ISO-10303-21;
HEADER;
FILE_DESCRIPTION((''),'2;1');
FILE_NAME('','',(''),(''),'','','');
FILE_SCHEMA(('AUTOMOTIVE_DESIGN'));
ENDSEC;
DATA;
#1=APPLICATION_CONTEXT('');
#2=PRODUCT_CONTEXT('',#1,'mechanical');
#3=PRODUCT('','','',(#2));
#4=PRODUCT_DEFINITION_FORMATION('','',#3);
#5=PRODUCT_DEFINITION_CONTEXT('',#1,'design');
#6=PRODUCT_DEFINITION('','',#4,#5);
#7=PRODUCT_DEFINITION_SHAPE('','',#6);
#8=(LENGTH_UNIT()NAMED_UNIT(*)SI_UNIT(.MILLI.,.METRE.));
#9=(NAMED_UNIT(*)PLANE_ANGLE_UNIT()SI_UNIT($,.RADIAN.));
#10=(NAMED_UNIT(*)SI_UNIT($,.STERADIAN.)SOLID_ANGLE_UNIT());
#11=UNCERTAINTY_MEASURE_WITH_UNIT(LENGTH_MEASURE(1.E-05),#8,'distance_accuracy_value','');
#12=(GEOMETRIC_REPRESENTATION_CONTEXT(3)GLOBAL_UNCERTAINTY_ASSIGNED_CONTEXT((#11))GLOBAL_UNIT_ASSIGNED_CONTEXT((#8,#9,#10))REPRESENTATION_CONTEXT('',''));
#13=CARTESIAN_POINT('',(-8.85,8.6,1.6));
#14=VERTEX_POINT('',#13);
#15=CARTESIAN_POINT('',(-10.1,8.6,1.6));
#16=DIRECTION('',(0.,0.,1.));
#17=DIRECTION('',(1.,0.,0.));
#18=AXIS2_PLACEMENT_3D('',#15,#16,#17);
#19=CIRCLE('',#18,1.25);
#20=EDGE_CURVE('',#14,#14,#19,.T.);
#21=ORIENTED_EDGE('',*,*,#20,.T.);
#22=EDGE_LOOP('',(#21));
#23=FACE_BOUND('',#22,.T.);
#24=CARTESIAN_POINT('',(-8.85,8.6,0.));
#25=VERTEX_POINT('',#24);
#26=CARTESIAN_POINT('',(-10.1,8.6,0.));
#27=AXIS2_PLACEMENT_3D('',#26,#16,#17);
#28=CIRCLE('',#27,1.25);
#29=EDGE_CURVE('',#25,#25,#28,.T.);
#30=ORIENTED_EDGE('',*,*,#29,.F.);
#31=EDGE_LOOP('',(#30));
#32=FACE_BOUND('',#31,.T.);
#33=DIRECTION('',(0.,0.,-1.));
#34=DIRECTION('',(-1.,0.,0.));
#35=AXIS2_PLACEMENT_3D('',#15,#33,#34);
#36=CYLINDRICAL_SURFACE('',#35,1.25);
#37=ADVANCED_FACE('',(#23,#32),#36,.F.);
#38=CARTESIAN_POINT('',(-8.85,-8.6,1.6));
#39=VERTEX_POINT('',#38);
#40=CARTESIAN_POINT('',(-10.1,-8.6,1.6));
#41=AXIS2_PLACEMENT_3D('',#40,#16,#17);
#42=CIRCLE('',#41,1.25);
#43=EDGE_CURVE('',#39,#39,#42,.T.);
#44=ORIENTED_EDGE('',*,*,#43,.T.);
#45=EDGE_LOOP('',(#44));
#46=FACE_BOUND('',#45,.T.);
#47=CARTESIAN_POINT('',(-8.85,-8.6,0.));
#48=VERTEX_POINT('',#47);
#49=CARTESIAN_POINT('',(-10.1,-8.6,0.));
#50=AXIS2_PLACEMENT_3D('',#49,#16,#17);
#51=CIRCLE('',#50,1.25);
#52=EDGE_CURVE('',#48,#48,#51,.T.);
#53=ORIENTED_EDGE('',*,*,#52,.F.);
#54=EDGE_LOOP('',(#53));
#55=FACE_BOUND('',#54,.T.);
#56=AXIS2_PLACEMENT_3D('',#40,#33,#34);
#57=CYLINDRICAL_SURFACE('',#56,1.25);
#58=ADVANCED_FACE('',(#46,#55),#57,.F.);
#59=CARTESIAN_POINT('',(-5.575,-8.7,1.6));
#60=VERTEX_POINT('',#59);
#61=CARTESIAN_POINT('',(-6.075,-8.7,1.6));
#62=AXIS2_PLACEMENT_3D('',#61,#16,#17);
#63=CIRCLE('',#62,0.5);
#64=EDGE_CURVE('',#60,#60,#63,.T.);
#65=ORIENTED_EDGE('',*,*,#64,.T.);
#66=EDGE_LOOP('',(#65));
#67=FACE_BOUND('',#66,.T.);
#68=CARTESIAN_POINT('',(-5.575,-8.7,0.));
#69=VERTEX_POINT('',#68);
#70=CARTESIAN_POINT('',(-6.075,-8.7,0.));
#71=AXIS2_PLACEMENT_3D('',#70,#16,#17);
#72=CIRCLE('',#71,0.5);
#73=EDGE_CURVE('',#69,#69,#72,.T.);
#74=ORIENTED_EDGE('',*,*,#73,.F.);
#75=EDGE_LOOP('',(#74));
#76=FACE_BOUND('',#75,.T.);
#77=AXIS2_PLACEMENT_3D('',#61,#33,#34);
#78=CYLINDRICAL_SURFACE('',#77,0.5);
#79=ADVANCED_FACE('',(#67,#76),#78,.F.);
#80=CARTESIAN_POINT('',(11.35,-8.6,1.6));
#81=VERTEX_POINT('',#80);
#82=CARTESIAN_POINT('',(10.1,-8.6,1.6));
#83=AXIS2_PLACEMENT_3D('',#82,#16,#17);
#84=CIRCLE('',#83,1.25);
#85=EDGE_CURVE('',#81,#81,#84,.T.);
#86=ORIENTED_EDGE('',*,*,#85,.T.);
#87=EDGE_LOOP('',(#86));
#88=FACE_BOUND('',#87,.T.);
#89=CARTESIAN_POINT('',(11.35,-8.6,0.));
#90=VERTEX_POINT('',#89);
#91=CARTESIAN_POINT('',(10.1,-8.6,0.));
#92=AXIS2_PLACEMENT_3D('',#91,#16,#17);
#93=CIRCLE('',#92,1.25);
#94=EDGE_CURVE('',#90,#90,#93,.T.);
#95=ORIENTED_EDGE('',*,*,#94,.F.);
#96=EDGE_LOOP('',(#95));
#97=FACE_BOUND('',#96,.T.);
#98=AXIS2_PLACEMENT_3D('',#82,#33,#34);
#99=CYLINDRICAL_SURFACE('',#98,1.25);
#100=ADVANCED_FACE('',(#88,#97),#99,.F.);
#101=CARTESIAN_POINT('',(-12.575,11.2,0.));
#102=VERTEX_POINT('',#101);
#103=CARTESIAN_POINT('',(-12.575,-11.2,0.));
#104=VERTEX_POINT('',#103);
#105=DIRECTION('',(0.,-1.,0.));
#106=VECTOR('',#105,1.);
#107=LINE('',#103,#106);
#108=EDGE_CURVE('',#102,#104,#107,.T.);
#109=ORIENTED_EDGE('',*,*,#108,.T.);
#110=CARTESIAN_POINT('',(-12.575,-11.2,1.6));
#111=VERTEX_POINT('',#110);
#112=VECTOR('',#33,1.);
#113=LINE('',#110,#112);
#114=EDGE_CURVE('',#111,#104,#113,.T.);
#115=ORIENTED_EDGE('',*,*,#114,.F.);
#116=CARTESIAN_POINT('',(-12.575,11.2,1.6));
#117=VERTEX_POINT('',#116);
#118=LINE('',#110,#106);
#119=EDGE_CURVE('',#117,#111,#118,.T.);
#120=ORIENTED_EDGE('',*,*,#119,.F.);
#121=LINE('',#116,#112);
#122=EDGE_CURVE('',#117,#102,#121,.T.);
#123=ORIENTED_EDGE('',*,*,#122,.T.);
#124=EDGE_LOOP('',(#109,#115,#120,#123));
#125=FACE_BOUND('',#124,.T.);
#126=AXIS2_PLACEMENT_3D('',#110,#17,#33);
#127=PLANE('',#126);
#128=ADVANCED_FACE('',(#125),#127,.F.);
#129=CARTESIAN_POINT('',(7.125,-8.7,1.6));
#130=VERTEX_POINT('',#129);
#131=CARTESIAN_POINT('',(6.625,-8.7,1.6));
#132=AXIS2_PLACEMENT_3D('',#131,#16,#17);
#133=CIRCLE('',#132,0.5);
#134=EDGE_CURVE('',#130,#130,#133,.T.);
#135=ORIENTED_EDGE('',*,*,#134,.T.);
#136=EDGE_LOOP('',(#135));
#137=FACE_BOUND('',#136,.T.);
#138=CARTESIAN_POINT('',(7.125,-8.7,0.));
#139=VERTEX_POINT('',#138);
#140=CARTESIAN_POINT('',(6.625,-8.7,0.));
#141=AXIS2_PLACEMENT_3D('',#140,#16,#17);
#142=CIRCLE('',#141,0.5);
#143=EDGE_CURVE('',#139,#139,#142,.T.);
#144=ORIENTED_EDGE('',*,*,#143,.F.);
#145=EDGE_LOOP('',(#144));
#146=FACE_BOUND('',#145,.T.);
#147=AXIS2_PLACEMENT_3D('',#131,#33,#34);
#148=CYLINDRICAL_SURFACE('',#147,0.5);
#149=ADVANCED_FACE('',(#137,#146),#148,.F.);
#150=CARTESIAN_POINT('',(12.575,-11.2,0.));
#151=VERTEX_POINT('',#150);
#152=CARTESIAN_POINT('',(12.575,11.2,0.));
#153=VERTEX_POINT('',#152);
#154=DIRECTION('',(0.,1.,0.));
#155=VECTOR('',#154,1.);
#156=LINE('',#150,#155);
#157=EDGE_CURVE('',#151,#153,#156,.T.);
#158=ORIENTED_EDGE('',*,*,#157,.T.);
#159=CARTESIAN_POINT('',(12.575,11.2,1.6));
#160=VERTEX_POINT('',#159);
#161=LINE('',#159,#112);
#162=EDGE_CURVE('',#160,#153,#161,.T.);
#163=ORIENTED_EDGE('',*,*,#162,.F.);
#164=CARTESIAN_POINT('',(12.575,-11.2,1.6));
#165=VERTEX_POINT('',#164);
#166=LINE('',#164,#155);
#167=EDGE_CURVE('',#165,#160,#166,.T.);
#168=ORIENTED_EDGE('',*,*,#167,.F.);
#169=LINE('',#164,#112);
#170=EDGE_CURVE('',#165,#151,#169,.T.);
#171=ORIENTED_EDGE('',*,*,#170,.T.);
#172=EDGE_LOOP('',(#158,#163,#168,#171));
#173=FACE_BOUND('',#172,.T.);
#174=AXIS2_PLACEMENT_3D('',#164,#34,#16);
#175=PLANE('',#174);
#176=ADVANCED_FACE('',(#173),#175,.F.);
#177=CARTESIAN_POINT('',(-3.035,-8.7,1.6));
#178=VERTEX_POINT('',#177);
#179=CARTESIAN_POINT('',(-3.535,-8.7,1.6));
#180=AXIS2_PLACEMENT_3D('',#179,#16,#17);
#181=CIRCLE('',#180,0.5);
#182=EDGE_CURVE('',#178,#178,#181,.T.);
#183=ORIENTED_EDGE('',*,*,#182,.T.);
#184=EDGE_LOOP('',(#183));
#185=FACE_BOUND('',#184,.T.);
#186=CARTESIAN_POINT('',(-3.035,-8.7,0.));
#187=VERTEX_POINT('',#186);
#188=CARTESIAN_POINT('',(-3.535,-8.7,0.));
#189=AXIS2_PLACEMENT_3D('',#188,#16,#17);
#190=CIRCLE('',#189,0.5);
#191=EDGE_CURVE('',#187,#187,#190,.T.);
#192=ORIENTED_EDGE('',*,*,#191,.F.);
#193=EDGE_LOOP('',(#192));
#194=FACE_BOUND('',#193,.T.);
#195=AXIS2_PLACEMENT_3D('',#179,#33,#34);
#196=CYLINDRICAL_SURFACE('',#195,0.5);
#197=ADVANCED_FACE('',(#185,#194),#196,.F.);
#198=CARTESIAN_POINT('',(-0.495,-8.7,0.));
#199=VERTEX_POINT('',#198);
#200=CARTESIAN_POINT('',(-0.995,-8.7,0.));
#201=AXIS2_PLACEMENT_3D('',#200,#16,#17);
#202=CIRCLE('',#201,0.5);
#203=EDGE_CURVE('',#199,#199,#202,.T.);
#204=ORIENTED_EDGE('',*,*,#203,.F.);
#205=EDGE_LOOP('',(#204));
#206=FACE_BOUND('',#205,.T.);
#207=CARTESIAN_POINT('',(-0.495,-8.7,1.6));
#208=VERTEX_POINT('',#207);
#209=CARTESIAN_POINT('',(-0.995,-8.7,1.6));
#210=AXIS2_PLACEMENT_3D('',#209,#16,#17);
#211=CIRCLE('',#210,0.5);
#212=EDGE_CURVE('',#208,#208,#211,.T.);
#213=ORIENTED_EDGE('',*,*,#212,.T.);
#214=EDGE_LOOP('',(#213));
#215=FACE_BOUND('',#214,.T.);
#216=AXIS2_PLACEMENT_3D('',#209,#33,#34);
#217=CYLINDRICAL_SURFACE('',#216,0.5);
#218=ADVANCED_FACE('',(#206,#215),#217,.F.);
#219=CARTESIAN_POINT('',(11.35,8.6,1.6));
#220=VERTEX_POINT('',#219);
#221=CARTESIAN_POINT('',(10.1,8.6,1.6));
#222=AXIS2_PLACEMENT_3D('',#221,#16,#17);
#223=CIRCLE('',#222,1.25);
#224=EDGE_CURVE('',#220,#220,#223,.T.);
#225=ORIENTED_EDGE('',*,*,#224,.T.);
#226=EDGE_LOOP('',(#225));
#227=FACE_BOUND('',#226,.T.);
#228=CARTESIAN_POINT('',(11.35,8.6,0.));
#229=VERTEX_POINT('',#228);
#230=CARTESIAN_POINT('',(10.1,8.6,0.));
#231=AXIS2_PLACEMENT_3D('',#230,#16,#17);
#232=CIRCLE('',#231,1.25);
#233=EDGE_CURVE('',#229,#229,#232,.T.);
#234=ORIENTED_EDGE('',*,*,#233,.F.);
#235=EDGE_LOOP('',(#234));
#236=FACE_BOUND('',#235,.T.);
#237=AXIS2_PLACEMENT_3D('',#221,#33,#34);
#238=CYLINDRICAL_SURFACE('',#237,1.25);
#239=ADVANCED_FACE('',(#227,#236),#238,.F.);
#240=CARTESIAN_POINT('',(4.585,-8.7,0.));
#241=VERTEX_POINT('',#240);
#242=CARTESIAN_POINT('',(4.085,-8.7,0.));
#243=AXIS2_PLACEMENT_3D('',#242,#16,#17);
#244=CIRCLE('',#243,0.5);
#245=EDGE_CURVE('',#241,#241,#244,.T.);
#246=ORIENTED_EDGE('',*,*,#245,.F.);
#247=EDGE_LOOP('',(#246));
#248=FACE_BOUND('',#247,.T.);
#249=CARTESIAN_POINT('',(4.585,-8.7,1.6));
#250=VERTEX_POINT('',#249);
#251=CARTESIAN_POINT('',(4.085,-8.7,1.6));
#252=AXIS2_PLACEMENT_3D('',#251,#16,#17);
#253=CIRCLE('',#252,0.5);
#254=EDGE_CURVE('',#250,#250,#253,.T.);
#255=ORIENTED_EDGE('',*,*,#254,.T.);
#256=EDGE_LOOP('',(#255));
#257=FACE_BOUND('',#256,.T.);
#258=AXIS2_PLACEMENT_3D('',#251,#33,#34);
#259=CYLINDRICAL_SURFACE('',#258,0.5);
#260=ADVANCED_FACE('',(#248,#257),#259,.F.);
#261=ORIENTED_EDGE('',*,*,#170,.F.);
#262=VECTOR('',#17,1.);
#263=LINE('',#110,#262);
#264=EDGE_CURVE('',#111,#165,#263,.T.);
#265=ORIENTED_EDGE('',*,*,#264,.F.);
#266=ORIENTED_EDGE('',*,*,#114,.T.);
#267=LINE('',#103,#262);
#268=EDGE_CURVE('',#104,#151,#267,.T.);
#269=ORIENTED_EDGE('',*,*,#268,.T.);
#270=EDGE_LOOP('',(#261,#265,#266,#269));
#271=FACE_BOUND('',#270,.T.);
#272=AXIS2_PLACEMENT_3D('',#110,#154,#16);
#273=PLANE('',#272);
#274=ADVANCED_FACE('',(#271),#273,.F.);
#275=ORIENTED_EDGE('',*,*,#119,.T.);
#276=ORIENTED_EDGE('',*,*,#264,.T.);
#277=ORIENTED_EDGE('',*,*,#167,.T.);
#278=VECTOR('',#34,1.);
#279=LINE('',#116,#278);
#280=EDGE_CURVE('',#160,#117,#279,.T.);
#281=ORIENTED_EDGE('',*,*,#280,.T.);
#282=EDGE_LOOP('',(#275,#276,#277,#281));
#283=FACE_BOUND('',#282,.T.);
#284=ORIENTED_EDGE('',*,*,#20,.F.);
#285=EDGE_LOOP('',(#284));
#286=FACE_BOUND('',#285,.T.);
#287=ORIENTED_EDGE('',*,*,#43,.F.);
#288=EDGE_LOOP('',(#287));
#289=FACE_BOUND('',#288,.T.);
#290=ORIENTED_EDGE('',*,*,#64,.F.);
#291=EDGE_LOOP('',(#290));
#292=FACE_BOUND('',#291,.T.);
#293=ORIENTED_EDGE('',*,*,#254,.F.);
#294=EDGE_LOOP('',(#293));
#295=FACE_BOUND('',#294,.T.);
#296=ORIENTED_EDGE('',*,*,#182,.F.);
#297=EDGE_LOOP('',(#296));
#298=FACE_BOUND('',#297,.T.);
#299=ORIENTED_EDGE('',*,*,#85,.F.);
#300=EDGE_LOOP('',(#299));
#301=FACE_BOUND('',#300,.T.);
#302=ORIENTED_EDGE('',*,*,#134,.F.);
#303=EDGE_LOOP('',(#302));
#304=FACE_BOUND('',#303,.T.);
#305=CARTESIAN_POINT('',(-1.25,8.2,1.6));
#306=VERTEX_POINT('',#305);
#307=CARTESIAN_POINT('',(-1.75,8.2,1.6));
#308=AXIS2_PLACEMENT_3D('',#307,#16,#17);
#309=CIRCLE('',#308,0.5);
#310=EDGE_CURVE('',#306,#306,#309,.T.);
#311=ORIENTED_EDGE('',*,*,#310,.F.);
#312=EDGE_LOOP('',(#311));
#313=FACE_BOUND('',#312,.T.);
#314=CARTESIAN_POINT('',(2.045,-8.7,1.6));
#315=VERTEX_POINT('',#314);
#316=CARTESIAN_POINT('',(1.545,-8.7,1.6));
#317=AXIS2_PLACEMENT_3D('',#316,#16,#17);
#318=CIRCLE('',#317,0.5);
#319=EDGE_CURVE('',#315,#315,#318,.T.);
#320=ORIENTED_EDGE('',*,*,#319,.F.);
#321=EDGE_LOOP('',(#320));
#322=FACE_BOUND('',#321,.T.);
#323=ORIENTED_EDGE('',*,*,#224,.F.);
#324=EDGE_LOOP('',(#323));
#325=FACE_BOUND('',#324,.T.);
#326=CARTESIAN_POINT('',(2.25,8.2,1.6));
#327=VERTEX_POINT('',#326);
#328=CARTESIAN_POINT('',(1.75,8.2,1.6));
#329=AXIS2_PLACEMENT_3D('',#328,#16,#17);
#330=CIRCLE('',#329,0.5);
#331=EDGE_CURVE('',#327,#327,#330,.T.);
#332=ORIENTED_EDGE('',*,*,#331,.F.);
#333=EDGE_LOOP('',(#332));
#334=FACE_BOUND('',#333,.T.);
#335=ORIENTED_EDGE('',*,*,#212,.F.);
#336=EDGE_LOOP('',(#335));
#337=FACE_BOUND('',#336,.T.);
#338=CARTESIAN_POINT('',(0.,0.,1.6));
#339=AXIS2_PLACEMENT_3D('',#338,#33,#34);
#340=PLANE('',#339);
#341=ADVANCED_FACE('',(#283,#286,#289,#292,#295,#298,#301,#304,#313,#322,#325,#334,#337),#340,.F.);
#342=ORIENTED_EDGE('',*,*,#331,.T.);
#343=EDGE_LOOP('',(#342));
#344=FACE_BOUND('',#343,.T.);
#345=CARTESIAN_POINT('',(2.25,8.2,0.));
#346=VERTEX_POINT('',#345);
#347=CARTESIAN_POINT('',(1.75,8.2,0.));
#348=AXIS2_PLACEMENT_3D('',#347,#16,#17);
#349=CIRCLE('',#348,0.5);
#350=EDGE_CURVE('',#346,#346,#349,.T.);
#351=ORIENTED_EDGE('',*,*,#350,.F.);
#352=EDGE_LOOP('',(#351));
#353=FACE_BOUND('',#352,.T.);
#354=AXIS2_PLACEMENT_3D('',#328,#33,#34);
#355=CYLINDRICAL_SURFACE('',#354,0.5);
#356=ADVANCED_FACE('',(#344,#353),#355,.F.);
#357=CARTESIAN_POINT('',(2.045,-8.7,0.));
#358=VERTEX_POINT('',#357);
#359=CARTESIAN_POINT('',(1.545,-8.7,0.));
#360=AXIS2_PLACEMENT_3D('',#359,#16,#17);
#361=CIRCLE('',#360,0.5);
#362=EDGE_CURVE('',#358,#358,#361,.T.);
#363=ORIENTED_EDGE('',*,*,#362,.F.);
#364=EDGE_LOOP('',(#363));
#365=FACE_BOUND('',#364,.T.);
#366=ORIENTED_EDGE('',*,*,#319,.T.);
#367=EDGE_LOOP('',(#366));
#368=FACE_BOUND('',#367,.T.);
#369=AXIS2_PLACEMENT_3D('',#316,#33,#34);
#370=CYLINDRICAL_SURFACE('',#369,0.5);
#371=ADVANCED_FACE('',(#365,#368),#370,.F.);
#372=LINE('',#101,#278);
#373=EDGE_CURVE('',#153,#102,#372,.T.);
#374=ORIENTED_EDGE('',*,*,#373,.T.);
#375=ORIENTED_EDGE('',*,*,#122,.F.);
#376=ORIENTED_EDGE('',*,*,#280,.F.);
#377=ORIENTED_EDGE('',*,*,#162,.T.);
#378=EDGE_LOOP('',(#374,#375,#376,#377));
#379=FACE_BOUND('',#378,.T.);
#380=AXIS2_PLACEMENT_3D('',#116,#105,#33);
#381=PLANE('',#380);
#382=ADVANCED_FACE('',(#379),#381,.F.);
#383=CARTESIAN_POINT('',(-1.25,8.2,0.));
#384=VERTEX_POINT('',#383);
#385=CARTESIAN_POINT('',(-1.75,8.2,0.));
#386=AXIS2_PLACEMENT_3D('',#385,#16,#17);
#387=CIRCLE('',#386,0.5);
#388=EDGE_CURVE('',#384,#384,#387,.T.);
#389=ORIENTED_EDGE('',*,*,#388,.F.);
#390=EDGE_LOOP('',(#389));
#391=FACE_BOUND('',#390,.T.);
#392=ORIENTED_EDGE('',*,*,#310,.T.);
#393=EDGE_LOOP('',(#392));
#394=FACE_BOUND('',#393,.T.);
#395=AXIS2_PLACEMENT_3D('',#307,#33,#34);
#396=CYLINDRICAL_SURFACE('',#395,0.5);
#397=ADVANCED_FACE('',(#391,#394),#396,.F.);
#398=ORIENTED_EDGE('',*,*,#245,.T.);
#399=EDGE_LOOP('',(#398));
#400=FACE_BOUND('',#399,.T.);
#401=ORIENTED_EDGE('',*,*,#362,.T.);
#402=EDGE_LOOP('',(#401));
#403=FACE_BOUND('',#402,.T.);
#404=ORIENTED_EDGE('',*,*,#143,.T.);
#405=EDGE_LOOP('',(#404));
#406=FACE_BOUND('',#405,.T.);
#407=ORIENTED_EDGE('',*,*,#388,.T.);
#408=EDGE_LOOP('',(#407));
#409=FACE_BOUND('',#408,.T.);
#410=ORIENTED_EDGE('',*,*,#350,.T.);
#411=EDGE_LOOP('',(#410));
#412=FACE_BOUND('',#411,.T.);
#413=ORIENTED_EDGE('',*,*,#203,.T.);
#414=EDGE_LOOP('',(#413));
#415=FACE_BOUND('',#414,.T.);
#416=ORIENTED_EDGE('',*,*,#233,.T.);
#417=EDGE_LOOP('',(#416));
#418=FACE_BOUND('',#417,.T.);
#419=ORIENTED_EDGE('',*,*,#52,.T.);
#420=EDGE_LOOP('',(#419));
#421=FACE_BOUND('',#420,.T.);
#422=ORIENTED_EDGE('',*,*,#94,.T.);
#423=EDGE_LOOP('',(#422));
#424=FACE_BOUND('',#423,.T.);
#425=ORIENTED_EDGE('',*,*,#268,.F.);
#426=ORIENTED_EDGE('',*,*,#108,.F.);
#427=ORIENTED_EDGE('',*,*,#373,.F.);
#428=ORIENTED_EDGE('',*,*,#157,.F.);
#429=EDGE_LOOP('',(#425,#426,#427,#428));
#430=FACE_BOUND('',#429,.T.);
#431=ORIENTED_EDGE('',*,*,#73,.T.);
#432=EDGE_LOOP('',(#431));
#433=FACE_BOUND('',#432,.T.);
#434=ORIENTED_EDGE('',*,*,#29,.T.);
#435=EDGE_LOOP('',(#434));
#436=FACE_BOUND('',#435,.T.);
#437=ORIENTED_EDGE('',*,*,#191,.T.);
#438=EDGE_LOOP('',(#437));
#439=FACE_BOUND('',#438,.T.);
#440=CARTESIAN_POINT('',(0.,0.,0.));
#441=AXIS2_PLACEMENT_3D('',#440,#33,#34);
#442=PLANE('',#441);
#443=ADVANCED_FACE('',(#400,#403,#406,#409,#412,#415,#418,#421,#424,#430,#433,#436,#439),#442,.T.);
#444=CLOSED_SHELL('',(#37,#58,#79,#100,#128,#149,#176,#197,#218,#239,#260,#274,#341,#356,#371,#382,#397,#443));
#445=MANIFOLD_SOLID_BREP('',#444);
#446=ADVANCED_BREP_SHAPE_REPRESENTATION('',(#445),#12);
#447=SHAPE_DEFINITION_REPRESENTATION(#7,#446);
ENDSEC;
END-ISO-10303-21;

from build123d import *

# Parameters (mm, degrees)
SKETCH1_W           = 25.15
SKETCH1_H           = 22.4
SKETCH1_R           = 1.25
SKETCH1_R_2         = 0.5
BOSS_EXTRUDE1_DEPTH = 1.6


with BuildPart() as part:
    # Sketch1 → Boss-Extrude1 (new body)
    with BuildSketch(Plane.XY):
        Rectangle(SKETCH1_W, SKETCH1_H)
        with Locations((-10.1, 8.6)):
            Circle(SKETCH1_R, mode=Mode.SUBTRACT)
        with Locations((10.1, 8.6)):
            Circle(SKETCH1_R, mode=Mode.SUBTRACT)
        with Locations((-10.1, -8.6)):
            Circle(SKETCH1_R, mode=Mode.SUBTRACT)
        with Locations((10.1, -8.6)):
            Circle(SKETCH1_R, mode=Mode.SUBTRACT)
        with Locations((-1.75, 8.2)):
            Circle(SKETCH1_R_2, mode=Mode.SUBTRACT)
        with Locations((1.75, 8.2)):
            Circle(SKETCH1_R_2, mode=Mode.SUBTRACT)
        with Locations((-6.075, -8.7)):
            Circle(SKETCH1_R_2, mode=Mode.SUBTRACT)
        with Locations((-3.535, -8.7)):
            Circle(SKETCH1_R_2, mode=Mode.SUBTRACT)
        with Locations((-0.995, -8.7)):
            Circle(SKETCH1_R_2, mode=Mode.SUBTRACT)
        with Locations((1.545, -8.7)):
            Circle(SKETCH1_R_2, mode=Mode.SUBTRACT)
        with Locations((4.085, -8.7)):
            Circle(SKETCH1_R_2, mode=Mode.SUBTRACT)
        with Locations((6.625, -8.7)):
            Circle(SKETCH1_R_2, mode=Mode.SUBTRACT)
    extrude(amount=BOSS_EXTRUDE1_DEPTH)


solid = part.part
